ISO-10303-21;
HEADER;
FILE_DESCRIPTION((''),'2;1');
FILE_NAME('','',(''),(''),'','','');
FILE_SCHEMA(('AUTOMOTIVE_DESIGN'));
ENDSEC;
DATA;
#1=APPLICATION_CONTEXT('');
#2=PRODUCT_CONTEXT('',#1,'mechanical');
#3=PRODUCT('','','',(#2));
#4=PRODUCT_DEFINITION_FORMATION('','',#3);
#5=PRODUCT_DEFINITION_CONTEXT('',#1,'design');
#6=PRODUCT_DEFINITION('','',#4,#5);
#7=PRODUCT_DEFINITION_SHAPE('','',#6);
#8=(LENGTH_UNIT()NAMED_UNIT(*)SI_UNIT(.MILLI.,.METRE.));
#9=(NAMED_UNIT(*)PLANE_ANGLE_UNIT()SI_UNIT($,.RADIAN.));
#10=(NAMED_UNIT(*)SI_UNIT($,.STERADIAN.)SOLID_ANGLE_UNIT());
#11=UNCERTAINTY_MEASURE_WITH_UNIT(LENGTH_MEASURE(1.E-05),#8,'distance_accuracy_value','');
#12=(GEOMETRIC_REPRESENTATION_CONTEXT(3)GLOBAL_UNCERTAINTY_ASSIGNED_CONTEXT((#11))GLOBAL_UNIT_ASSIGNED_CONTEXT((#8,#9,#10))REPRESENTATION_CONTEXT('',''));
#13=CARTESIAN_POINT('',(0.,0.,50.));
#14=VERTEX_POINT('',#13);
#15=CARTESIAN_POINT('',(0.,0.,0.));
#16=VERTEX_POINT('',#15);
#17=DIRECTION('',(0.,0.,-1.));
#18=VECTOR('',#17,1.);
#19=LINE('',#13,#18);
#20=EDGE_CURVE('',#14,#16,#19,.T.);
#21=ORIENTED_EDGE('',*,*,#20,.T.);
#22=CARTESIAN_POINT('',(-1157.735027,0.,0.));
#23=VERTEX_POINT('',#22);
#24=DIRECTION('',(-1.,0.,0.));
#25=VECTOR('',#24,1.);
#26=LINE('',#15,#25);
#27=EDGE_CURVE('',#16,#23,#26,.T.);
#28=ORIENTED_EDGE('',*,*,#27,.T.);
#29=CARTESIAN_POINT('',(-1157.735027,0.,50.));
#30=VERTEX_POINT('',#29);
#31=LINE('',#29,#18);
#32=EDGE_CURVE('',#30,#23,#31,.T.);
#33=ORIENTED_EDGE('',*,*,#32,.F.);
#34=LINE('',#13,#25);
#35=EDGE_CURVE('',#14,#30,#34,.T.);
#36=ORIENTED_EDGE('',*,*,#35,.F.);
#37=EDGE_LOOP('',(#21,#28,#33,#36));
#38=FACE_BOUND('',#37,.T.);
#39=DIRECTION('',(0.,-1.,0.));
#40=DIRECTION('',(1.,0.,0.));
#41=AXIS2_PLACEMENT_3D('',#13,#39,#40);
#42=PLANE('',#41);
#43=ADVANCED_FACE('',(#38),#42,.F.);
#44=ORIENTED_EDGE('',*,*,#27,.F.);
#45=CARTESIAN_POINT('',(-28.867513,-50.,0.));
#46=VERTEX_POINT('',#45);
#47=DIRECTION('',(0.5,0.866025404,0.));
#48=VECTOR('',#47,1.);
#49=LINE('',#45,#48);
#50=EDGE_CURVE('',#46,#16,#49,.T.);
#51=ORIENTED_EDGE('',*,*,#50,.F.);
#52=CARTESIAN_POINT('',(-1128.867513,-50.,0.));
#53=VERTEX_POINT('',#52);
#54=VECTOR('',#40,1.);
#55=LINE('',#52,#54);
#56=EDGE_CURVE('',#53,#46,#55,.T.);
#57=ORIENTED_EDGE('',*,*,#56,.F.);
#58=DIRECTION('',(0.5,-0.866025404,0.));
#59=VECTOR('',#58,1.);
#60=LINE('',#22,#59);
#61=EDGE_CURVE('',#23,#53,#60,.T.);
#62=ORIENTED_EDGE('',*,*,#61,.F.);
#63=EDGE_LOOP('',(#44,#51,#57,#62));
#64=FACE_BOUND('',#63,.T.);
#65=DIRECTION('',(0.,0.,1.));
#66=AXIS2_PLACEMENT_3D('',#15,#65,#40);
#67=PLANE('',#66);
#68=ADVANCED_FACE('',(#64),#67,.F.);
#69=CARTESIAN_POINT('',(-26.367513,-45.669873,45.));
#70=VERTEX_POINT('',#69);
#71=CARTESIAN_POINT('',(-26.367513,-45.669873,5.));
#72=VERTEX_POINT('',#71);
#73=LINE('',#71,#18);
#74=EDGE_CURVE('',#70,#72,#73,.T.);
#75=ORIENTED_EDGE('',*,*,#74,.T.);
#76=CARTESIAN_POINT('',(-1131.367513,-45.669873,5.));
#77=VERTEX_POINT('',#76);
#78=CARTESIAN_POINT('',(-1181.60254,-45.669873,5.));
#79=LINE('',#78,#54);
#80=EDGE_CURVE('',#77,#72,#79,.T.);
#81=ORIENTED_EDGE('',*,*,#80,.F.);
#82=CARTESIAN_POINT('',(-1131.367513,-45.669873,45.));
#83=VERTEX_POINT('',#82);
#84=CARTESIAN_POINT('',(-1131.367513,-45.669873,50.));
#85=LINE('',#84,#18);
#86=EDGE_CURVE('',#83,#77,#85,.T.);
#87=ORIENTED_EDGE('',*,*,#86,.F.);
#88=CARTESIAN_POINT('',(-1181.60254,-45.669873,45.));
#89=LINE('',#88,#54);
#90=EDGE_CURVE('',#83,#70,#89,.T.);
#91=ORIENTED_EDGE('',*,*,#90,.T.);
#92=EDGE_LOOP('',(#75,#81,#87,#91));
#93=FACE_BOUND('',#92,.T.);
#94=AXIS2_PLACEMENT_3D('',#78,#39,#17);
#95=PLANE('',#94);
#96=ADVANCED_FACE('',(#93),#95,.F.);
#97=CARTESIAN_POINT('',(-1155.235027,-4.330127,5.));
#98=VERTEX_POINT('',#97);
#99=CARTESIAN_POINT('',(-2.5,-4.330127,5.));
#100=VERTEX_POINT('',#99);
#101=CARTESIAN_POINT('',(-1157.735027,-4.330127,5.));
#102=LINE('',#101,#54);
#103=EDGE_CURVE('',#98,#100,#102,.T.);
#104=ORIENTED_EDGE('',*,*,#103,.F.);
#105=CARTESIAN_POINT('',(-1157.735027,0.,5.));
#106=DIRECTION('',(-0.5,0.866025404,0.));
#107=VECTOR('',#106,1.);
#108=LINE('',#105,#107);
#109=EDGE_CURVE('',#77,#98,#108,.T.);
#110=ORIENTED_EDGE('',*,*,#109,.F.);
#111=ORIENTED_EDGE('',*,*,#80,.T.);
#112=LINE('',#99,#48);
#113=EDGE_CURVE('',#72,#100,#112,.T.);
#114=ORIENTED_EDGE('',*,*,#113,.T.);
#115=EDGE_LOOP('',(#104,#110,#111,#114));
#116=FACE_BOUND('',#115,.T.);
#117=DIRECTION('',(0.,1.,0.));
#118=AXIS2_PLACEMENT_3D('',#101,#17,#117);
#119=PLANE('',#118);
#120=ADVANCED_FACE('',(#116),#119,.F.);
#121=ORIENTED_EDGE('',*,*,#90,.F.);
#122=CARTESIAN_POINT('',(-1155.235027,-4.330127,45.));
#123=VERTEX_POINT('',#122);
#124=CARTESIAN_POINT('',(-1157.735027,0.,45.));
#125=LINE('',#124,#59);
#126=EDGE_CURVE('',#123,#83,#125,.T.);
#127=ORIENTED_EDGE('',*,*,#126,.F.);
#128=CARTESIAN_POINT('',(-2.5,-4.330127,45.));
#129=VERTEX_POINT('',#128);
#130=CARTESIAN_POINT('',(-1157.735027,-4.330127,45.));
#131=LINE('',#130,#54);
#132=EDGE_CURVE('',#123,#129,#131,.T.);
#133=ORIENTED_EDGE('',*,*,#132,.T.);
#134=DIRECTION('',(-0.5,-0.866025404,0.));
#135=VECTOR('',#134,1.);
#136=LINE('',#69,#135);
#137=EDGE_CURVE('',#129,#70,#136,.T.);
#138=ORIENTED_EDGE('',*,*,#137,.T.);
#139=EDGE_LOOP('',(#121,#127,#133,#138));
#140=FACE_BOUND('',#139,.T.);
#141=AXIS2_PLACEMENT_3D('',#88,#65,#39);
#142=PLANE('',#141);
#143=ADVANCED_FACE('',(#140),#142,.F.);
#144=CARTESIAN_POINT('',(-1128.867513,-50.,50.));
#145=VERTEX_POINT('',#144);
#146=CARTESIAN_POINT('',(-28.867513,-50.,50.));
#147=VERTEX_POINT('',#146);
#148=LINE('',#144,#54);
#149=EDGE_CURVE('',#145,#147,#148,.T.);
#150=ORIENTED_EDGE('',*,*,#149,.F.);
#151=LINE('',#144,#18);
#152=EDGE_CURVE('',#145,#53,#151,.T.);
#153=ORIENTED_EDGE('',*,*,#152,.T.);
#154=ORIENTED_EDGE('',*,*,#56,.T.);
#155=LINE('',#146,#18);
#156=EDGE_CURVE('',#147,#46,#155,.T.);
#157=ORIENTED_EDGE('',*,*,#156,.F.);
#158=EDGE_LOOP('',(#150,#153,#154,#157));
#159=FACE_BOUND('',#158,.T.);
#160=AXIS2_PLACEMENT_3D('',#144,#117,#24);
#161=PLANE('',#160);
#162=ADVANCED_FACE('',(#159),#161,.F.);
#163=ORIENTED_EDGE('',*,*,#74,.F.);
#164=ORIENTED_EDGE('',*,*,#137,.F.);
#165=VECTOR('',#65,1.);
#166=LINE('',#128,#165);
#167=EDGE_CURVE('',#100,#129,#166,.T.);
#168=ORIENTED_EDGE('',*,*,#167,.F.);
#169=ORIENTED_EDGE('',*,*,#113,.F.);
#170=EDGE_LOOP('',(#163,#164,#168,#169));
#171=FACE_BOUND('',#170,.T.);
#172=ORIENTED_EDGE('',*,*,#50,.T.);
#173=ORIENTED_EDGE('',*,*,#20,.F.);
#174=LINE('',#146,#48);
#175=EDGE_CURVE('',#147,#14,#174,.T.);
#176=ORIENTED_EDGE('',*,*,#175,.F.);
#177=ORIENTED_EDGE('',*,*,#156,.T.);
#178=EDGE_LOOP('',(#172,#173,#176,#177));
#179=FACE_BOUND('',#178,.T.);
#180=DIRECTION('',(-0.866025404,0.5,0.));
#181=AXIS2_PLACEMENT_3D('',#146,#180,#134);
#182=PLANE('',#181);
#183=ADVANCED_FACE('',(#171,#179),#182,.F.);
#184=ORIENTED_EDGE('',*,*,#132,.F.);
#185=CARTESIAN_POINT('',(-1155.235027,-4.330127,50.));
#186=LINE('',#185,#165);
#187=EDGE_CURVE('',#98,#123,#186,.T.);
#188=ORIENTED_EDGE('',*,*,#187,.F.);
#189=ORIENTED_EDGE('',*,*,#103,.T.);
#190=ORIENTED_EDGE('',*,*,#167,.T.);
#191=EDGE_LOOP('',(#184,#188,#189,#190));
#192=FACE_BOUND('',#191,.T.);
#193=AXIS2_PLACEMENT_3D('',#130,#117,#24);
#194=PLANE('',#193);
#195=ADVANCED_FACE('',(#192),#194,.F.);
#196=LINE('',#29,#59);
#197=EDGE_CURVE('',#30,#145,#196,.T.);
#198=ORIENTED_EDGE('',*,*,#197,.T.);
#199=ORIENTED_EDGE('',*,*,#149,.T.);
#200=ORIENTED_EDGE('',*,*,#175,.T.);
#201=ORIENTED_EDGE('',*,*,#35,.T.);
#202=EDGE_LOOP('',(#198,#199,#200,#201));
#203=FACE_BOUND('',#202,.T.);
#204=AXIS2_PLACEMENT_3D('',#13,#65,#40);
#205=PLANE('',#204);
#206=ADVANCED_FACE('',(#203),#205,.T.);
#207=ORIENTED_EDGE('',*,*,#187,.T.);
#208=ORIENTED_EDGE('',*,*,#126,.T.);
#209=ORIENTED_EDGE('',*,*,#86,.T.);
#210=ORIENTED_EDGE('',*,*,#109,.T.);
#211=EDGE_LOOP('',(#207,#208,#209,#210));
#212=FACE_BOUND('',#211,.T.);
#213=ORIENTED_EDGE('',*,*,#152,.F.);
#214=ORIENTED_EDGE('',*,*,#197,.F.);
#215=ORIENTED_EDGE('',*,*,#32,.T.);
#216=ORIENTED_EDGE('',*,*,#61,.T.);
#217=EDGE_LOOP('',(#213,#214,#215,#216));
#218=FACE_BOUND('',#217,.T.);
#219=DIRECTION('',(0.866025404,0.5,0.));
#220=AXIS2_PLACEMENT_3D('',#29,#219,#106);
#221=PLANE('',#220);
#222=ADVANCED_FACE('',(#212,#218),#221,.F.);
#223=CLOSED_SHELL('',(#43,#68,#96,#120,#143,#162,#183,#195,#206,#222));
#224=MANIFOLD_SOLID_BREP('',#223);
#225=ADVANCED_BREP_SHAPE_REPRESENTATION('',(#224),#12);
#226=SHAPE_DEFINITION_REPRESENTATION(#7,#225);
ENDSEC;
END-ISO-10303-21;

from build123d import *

# Parameters (mm, degrees)
BOSS_EXTRUDE1_DEPTH = 50
SKETCH4_W           = 40
SKETCH4_H           = 47.735026919
CUT_EXTRUDE1_DEPTH  = 1340.48308574


with BuildPart() as part:
    # Sketch3 → Boss-Extrude1 (new body)
    with BuildSketch(Plane.XY):
        Polygon((0, 0), (-1157.735026919, 0), (-1128.867513459, -50), (-28.867513459, -50), align=None)
    extrude(amount=BOSS_EXTRUDE1_DEPTH)

    # Sketch4 → Cut-Extrude1 (cut, through all, along a direction that is not the sketch's normal)
    with BuildSketch(Plane(origin=(0, 0, 0), x_dir=(0, 0, -1), z_dir=(0.8660254037844366, -0.5000000000000037, 0))):
        with Locations((-25, -28.86751346)):
            Rectangle(SKETCH4_W, SKETCH4_H)
    extrude(amount=-CUT_EXTRUDE1_DEPTH, dir=(1, 0, 0), mode=Mode.SUBTRACT)


solid = part.part
